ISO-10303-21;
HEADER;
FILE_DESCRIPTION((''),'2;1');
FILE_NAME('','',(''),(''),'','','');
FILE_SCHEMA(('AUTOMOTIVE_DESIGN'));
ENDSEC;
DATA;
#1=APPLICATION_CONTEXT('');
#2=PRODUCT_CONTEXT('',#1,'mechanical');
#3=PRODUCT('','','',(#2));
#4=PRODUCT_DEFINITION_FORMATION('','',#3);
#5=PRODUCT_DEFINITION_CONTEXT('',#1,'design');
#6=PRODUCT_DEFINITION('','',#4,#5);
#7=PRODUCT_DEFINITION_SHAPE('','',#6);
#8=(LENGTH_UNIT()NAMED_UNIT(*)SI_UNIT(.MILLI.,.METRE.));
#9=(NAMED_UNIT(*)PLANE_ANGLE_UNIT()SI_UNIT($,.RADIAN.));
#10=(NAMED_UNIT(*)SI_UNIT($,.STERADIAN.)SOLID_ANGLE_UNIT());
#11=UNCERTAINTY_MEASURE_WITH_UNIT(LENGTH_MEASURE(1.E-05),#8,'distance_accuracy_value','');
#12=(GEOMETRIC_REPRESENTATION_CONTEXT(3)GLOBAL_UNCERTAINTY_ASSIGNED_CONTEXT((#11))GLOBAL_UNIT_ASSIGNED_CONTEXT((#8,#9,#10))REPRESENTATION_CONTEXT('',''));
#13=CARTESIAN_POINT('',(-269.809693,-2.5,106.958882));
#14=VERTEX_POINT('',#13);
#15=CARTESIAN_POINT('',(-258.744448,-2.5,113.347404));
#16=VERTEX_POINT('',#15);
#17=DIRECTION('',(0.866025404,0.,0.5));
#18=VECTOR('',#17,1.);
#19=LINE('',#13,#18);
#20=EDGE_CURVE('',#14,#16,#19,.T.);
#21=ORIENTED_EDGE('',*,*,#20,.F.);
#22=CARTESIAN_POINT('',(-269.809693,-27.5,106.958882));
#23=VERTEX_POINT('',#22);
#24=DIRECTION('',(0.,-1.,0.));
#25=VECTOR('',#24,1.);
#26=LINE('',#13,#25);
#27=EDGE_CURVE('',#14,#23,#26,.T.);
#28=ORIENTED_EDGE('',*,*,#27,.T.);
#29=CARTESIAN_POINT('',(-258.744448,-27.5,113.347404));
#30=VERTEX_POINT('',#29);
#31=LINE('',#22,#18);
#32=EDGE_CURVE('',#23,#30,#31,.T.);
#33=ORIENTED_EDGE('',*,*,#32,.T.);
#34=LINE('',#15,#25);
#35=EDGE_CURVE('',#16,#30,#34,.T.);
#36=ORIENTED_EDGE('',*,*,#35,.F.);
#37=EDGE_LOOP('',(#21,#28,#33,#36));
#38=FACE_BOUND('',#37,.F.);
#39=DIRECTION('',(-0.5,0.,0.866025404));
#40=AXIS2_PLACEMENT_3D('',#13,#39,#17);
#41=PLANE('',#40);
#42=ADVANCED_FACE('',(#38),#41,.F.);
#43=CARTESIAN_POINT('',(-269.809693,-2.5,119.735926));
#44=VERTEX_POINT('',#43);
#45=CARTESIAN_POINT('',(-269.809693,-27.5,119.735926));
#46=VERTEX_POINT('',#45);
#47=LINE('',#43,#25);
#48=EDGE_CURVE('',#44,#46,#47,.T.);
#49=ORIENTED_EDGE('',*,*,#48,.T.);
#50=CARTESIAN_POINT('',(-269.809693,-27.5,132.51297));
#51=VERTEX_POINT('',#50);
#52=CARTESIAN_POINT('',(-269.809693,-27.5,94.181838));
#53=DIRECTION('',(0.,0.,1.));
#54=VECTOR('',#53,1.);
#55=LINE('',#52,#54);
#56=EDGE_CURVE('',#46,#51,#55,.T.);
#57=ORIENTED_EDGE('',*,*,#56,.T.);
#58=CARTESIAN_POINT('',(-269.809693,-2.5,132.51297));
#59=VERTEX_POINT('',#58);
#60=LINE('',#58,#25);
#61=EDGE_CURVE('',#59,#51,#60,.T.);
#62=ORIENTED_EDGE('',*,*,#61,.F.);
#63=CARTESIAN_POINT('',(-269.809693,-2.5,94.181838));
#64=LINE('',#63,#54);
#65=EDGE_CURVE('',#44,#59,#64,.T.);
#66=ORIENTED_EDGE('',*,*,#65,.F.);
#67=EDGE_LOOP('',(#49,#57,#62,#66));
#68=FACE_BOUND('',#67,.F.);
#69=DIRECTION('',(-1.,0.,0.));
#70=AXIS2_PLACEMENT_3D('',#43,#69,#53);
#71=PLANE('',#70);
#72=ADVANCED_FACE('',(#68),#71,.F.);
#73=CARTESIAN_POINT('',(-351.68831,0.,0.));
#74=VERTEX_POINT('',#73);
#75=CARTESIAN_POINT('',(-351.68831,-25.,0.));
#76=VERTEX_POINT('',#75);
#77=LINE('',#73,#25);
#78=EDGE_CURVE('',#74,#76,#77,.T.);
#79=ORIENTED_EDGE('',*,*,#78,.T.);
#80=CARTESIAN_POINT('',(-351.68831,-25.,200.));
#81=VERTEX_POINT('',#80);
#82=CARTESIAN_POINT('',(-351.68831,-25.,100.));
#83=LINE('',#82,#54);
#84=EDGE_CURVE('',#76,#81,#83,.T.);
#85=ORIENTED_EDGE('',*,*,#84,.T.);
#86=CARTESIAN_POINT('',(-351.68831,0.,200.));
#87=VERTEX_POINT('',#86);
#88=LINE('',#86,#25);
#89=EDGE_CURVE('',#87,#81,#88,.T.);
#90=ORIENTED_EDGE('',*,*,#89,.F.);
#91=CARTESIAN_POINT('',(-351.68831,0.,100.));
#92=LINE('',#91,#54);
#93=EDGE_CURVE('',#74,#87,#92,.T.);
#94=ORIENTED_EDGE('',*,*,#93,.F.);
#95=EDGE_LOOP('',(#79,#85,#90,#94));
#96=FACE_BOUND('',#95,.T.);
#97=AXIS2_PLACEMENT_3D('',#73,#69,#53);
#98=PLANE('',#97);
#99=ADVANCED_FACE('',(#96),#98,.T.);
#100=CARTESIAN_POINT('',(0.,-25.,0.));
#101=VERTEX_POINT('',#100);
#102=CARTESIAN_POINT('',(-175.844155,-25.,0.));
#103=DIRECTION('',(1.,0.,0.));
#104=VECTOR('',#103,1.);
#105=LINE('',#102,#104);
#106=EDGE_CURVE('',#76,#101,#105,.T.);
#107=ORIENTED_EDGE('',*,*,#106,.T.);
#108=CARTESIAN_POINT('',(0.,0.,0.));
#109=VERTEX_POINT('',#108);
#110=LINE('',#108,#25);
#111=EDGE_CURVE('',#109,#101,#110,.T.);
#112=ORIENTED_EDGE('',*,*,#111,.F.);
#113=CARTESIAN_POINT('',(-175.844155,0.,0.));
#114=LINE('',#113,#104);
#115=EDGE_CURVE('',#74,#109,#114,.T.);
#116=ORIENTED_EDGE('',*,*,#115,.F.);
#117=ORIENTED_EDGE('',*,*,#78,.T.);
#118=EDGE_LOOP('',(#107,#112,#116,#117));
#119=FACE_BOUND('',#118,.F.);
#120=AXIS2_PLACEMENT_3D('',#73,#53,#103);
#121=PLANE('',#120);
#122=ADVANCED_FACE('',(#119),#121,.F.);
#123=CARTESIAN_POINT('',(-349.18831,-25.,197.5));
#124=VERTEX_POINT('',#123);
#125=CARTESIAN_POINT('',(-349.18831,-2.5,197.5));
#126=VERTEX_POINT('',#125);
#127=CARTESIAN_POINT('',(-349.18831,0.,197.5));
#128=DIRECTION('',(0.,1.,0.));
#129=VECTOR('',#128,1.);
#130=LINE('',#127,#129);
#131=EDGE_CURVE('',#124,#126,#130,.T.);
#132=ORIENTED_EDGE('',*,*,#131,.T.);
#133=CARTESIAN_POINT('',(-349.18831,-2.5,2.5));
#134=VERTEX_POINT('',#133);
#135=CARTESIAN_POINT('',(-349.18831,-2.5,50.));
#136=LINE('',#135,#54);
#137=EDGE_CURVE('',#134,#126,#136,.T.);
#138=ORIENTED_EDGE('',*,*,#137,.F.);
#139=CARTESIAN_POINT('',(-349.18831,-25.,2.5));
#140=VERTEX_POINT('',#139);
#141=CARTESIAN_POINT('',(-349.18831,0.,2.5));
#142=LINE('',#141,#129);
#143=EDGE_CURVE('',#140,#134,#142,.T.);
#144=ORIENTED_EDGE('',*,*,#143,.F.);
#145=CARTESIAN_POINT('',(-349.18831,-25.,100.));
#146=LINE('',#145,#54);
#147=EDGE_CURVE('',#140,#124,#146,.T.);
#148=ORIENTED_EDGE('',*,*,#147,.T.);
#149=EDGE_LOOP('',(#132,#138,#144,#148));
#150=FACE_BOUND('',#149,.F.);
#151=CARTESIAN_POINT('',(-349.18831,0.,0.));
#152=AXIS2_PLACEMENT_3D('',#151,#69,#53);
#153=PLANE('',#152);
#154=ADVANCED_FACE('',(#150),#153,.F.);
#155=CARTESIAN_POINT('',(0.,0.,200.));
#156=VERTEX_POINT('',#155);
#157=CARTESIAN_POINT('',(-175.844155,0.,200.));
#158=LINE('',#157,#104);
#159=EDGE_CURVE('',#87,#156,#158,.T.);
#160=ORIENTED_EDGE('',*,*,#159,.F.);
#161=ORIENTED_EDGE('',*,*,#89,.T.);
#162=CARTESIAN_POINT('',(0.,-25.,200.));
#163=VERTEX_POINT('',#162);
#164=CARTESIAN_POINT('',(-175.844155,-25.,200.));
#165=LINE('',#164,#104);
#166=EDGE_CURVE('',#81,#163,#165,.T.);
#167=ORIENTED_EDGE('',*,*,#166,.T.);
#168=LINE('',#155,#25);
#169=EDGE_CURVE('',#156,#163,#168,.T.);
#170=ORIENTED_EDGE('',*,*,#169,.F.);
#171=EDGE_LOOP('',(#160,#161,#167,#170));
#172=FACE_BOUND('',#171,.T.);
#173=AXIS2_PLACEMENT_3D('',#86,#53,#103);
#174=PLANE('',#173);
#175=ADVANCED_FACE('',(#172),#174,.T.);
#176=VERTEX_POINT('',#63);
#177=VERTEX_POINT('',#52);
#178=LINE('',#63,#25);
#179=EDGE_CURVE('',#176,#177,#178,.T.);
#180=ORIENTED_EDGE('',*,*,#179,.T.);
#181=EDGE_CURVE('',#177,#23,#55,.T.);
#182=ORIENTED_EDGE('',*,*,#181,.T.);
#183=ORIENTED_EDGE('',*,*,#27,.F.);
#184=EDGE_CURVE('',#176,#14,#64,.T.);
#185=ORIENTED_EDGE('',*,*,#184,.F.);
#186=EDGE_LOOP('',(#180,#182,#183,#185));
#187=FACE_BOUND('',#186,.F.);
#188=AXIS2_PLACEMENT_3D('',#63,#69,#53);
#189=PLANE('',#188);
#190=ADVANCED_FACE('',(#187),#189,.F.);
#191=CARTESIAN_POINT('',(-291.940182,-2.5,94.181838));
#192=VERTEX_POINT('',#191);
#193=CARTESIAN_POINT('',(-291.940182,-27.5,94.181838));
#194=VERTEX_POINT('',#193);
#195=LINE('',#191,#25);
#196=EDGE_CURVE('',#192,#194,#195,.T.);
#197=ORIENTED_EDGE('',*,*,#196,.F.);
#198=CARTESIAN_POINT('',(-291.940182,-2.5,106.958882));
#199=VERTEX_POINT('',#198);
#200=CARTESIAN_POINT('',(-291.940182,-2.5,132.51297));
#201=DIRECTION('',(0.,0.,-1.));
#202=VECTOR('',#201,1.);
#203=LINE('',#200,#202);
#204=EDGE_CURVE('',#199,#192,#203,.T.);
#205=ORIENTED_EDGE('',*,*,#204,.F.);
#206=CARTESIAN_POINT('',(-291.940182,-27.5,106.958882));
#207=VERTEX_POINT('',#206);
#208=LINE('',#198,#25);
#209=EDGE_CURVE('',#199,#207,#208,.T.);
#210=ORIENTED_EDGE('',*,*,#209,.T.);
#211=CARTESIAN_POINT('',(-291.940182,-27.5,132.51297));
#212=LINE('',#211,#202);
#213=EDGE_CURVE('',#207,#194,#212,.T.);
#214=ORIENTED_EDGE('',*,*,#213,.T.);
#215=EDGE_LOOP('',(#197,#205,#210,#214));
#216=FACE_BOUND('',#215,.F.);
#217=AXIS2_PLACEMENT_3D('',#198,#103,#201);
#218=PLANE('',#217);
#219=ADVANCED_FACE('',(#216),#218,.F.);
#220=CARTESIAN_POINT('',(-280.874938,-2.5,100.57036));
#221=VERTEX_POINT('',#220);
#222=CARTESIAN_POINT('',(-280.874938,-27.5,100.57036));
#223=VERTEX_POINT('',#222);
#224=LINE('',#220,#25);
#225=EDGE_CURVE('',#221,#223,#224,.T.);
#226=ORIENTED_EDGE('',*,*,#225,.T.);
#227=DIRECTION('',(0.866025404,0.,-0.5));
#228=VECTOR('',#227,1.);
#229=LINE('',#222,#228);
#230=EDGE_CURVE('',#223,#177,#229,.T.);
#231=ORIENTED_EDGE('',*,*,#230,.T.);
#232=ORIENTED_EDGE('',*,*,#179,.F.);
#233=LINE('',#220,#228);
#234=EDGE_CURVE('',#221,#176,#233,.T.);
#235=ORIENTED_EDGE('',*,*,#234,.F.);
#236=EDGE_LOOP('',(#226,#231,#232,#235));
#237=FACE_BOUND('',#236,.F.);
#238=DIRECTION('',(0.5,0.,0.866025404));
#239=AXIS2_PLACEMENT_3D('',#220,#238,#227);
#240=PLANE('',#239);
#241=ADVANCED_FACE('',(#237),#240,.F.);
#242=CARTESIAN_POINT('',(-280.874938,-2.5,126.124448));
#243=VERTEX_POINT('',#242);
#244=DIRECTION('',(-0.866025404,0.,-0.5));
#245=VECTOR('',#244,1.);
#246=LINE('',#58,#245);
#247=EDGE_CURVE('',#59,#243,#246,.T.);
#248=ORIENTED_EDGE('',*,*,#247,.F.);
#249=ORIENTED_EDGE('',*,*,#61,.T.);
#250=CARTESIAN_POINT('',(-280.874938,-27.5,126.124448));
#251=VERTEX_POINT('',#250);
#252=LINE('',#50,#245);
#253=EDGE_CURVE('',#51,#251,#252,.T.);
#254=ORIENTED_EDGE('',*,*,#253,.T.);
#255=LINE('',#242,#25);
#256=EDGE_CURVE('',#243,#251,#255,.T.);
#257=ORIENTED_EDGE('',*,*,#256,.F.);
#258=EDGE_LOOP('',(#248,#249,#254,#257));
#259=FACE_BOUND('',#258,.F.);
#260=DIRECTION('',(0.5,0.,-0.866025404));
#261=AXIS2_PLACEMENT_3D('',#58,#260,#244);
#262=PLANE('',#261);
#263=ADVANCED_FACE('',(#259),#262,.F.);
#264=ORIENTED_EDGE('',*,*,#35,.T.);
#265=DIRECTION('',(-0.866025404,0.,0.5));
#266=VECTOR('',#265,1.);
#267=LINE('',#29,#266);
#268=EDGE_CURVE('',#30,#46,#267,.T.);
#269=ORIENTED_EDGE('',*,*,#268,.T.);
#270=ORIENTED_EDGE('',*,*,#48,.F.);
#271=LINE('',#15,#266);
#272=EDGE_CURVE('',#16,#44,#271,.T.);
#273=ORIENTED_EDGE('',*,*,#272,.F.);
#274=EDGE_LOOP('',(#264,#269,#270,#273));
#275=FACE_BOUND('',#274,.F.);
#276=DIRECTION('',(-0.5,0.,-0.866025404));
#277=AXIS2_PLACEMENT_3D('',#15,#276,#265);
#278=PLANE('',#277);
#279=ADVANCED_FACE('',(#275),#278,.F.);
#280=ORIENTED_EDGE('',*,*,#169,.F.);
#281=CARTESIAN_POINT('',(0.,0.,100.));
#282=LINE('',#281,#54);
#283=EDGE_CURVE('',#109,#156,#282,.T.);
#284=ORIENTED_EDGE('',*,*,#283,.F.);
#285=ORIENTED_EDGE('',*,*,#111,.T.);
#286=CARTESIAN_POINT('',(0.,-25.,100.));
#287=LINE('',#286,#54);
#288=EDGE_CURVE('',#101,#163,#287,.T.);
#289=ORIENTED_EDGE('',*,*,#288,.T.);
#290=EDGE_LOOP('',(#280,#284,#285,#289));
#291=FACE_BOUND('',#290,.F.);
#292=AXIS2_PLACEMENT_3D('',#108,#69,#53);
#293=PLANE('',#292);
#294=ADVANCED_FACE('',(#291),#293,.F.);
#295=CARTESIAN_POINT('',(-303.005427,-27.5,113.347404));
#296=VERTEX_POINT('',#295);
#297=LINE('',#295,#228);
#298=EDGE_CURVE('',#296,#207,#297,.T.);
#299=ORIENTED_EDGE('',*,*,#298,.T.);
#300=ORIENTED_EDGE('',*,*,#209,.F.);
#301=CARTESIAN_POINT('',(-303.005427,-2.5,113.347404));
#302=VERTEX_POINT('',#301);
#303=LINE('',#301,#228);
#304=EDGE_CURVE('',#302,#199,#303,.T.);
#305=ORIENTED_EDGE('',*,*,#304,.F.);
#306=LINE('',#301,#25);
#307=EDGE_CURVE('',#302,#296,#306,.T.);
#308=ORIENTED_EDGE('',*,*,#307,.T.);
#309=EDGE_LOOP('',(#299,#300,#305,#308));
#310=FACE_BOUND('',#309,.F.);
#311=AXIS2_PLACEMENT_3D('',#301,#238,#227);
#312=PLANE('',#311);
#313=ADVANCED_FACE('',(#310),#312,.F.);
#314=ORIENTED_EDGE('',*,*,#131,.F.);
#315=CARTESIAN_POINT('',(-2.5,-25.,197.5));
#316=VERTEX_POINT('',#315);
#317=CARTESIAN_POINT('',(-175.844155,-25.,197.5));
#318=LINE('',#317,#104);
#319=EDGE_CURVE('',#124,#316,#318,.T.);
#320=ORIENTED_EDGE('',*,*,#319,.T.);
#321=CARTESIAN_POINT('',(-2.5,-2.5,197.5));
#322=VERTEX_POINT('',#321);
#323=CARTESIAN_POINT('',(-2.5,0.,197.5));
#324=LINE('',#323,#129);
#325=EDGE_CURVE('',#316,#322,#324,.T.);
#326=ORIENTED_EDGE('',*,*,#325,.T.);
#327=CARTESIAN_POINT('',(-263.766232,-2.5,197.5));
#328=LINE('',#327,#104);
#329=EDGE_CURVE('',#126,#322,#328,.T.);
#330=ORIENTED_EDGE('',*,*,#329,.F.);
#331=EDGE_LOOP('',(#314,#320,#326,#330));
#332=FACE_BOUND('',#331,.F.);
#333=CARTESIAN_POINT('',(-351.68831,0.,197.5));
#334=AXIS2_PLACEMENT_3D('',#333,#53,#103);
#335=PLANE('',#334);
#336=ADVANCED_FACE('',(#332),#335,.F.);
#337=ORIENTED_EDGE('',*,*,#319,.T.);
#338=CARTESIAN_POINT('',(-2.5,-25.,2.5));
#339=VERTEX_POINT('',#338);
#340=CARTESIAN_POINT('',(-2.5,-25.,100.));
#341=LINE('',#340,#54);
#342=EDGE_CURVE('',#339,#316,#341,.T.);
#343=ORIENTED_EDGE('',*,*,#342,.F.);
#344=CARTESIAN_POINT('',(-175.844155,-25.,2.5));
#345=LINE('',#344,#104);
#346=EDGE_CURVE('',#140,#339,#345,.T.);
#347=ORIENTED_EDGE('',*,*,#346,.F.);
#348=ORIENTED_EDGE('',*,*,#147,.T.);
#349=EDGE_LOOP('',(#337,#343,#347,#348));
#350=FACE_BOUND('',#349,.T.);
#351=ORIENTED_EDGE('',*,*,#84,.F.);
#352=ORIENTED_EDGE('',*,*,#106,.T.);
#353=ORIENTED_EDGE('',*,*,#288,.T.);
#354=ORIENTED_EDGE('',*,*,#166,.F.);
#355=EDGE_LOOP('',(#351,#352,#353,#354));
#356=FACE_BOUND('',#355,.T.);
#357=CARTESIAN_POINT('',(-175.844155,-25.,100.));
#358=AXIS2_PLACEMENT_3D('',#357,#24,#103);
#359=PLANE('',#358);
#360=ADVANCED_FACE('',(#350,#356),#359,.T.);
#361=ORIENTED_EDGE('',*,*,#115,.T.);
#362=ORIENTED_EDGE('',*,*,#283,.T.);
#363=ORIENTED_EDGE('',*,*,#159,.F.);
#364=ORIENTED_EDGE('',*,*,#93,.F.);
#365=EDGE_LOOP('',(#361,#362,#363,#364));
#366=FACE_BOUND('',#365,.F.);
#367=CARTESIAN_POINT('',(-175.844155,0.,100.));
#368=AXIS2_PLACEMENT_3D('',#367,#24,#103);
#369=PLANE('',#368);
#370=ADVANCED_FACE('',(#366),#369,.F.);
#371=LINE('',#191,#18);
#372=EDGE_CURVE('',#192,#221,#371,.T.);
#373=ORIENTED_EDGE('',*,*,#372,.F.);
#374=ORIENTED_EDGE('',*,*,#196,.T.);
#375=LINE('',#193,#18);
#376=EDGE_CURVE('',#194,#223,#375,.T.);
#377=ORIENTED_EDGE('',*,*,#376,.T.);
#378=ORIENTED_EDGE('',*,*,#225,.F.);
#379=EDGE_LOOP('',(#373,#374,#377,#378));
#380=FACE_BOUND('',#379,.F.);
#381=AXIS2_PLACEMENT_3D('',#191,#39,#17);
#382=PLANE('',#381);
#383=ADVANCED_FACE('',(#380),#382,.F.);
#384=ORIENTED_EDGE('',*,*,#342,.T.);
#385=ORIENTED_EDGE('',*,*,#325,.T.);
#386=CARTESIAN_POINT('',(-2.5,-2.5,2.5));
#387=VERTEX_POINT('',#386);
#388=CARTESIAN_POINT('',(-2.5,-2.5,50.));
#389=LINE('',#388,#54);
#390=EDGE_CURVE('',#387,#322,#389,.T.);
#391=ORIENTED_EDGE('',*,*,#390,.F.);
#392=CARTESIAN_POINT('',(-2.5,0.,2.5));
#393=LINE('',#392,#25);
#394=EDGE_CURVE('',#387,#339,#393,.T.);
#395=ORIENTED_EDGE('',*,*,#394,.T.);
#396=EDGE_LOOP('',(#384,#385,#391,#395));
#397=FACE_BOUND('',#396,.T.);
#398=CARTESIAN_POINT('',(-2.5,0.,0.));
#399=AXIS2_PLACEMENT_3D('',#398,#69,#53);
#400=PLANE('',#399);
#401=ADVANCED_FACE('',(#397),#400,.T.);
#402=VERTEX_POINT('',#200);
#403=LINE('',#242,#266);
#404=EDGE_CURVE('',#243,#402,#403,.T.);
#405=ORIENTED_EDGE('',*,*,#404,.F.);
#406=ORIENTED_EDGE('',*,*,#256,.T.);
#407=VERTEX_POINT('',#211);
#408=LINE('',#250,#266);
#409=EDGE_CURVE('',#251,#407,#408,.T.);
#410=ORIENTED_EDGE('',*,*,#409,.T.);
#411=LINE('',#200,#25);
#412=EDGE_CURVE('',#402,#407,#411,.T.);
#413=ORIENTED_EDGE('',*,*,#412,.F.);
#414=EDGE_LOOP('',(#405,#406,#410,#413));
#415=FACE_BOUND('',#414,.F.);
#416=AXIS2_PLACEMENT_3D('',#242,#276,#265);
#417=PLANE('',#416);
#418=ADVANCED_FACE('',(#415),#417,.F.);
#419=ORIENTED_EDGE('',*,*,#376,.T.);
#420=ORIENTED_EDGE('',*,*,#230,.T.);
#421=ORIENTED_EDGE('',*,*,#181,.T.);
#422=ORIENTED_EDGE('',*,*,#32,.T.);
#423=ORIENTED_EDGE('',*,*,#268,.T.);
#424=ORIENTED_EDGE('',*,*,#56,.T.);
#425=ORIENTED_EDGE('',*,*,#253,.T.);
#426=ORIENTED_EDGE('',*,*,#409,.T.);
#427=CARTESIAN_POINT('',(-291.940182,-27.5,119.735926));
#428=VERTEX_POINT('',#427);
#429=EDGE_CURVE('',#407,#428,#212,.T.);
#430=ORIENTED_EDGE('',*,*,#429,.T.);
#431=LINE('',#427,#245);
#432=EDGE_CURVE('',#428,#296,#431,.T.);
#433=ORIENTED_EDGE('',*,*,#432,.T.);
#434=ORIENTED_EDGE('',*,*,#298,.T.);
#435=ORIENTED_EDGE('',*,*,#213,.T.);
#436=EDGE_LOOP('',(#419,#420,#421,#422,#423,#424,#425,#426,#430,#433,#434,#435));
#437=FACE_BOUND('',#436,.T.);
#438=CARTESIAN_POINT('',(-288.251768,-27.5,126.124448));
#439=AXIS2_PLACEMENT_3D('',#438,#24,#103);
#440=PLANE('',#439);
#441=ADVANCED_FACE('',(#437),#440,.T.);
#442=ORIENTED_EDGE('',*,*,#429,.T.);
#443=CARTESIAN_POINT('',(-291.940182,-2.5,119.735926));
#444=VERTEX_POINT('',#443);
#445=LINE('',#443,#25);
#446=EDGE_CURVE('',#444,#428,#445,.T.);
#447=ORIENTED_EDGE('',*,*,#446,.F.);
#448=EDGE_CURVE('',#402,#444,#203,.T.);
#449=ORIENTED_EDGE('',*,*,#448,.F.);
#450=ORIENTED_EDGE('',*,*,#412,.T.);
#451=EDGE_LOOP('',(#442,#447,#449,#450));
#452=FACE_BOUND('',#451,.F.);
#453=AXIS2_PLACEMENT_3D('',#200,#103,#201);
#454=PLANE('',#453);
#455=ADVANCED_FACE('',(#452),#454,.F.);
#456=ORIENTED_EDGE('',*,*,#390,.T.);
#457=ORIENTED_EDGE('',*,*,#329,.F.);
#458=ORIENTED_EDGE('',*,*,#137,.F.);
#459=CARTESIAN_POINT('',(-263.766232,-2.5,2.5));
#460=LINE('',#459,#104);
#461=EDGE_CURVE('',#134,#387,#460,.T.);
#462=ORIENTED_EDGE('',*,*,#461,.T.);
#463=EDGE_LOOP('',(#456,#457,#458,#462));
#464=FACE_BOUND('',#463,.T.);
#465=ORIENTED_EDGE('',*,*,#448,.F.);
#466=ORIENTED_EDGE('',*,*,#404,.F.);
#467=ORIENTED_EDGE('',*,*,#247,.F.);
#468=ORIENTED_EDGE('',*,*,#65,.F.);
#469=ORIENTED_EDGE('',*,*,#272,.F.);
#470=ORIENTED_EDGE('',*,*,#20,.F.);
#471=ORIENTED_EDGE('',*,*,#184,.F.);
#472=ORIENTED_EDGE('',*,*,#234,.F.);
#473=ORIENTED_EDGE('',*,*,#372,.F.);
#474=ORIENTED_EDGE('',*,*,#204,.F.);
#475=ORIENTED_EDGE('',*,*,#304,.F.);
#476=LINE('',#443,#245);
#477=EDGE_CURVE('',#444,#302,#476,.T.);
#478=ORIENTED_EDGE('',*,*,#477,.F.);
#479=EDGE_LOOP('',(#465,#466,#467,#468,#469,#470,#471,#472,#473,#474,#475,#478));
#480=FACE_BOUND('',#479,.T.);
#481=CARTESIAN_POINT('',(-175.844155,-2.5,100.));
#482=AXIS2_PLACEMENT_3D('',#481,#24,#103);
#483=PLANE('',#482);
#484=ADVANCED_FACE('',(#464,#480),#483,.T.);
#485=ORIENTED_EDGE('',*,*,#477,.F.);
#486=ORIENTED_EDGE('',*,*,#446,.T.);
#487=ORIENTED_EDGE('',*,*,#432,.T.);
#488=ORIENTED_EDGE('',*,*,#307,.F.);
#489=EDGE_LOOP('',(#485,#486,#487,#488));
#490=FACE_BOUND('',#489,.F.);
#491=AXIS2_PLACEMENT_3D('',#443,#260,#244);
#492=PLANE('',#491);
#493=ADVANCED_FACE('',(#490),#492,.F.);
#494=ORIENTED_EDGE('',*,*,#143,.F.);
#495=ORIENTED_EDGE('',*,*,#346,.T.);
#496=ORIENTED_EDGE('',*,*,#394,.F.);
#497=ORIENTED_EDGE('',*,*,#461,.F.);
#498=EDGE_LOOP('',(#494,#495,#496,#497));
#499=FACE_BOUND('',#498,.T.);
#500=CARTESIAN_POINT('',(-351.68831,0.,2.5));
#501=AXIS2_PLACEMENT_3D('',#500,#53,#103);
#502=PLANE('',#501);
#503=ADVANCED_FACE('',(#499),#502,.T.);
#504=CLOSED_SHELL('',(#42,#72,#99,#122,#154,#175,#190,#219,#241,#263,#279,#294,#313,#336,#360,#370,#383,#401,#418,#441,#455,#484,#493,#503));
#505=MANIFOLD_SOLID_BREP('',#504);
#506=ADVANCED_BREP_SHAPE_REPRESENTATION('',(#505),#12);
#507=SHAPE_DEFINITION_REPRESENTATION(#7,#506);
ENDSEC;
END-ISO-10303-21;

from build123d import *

# Parameters (mm, degrees)
F0_W     = 351.6883096945
F0_H     = 200
F1_DEPTH = 25
F2_T     = -2.5
F4_DEPTH = 25


with BuildPart() as f1:
    # F0 (on Front) → F1 (new body)
    with BuildSketch(Plane.XZ):
        with Locations((-175.8441548473, 100)):
            Rectangle(F0_W, F0_H)
    extrude(amount=F1_DEPTH)

    # F2
    f2_openings = [f1.faces().sort_by_distance(p)[0] for p in [
        (-175.844155, -25, 100),
    ]]
    offset(amount=F2_T, openings=f2_openings)

    # F3 (on face) → F4 (join)
    with BuildSketch(Plane.XZ.offset(2.5)):
        Polygon((-291.9401824474, 119.7359256967), (-280.8749377728, 126.1244476883), (-291.9401824474, 132.5129696799), align=None)
        Polygon((-269.8096930981, 106.9588817135), (-269.8096930981, 119.7359256967), (-280.8749377728, 126.1244476883), (-291.9401824474, 119.7359256967), (-291.9401824474, 106.9588817135), (-280.8749377728, 100.570359722), align=None)
        Polygon((-269.8096930981, 119.7359256967), (-269.8096930981, 132.5129696799), (-280.8749377728, 126.1244476883), align=None)
        Polygon((-269.8096930981, 94.1818377304), (-269.8096930981, 106.9588817135), (-280.8749377728, 100.570359722), align=None)
        Polygon((-291.9401824474, 94.1818377304), (-280.8749377728, 100.570359722), (-291.9401824474, 106.9588817135), align=None)
        Polygon((-291.9401824474, 106.9588817135), (-291.9401824474, 119.7359256967), (-303.0054271221, 113.3474037051), align=None)
        Polygon((-258.7444484234, 113.3474037051), (-269.8096930981, 119.7359256967), (-269.8096930981, 106.9588817135), align=None)
    extrude(amount=F4_DEPTH)


solid = f1.part
